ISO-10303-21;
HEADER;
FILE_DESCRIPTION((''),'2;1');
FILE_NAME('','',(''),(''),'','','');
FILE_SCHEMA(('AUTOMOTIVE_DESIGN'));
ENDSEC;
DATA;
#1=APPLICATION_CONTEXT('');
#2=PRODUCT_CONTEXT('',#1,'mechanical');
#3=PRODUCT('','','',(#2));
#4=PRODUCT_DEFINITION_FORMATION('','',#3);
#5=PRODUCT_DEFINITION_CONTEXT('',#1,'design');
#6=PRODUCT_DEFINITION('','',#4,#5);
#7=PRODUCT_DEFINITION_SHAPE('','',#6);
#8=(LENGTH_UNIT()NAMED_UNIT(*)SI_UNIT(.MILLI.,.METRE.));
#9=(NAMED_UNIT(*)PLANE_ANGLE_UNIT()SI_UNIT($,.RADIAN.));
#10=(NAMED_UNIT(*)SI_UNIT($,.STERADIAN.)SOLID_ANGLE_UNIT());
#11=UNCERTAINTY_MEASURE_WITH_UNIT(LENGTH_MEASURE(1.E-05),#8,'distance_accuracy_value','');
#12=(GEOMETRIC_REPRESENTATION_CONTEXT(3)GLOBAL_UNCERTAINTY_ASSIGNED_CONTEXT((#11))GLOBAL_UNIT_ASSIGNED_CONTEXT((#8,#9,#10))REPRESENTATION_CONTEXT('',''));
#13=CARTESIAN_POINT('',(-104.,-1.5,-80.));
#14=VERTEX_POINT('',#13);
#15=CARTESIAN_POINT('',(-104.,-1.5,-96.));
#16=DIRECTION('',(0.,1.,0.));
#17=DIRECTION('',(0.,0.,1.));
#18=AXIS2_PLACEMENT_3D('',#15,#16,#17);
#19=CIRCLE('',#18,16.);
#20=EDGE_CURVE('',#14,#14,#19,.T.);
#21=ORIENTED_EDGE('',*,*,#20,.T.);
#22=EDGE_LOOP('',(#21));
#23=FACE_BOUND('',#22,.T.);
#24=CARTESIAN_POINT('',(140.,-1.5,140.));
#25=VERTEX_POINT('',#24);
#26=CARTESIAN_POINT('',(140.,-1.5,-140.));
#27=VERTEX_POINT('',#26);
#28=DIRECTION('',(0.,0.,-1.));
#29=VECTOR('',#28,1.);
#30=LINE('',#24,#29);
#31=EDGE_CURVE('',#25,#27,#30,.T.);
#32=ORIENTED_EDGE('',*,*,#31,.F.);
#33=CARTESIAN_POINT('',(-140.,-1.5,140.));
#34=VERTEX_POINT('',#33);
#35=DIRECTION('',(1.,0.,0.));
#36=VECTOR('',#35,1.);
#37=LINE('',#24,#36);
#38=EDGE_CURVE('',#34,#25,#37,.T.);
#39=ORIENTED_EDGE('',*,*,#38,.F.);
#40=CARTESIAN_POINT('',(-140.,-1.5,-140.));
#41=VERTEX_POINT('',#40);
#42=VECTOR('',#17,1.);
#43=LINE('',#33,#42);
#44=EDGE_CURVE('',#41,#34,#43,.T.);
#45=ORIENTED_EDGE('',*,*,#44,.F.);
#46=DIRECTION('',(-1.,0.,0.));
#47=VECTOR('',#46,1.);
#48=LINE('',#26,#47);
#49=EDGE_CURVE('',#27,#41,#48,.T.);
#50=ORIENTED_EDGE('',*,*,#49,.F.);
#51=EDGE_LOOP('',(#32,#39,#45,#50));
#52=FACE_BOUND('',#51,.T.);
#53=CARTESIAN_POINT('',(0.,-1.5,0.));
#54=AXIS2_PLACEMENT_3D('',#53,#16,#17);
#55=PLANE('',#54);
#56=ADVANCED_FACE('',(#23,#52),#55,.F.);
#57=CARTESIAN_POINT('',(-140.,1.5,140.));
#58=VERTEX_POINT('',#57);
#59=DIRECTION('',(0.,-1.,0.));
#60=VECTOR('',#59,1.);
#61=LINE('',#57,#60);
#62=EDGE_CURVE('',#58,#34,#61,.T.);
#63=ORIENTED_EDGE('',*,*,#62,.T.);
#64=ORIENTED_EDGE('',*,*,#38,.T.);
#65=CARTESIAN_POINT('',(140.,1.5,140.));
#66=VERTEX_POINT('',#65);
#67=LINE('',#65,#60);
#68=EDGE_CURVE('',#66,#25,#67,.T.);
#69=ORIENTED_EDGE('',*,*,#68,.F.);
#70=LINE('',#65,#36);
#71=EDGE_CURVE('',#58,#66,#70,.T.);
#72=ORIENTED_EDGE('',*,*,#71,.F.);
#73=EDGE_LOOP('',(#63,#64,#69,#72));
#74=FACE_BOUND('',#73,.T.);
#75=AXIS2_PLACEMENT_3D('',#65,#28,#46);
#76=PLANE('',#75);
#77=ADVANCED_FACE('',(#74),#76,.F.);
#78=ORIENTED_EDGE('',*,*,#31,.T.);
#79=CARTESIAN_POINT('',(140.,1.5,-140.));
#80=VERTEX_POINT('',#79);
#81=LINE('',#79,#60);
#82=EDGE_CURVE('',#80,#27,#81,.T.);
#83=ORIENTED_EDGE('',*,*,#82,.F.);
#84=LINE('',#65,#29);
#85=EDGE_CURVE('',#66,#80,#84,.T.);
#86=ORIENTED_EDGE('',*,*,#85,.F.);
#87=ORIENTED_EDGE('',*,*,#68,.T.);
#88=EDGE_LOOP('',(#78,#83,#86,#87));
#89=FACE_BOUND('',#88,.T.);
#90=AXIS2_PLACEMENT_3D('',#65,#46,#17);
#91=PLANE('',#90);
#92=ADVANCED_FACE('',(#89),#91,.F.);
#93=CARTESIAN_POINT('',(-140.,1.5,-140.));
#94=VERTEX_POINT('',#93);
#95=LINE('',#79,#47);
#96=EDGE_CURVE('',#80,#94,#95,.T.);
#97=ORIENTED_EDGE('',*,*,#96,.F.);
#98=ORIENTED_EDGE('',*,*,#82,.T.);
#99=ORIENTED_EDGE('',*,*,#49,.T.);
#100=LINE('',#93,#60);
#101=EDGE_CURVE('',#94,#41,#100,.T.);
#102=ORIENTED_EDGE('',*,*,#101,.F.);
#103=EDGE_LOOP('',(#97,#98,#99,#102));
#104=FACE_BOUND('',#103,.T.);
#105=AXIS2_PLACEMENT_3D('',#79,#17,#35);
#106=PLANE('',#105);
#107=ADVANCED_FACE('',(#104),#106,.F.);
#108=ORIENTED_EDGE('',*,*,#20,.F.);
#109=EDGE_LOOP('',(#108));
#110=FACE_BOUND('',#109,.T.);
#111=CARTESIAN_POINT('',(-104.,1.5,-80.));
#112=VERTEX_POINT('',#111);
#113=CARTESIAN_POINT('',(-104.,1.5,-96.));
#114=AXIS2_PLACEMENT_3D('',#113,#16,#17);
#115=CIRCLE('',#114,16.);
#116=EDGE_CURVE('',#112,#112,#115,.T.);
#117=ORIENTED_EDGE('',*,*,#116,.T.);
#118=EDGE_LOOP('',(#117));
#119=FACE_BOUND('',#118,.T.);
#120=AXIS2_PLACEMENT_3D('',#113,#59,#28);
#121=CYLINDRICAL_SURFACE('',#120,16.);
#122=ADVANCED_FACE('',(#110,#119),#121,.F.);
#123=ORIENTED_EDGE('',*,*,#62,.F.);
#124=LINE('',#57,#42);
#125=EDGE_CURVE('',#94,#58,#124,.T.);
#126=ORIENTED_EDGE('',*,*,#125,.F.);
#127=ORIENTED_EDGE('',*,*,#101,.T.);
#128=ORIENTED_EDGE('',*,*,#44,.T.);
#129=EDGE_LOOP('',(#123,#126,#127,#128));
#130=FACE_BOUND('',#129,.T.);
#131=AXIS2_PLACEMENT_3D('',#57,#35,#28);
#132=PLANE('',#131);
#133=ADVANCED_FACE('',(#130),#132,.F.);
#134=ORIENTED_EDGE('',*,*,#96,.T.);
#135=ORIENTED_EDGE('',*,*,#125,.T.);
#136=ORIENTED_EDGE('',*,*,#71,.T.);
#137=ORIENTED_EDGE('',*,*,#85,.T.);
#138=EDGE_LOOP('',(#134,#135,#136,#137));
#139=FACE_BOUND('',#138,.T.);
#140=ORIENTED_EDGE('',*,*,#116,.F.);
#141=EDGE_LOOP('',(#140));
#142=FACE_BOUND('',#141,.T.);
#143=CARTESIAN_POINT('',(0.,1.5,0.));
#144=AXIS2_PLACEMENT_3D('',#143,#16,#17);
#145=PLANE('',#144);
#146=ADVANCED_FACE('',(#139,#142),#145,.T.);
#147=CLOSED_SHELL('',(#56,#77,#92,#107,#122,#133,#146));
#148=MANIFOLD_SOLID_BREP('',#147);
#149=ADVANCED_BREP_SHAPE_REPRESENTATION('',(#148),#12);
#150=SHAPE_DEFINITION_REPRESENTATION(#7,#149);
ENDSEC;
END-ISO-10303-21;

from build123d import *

# Parameters (mm, degrees)
SKETCH1_W           = 280
SKETCH1_H           = 280
SKETCH1_R           = 16
BOSS_EXTRUDE1_DEPTH = 1.5


with BuildPart() as part:
    # Sketch1 → Boss-Extrude1 (new, symmetric)
    with BuildSketch(Plane(origin=(0, 0, 0), x_dir=(1, 0, 0), z_dir=(0, 1, 0))):
        Rectangle(SKETCH1_W, SKETCH1_H)
        with Locations(Location((-104, 96, 0), (0, 0, 270))):
            Circle(SKETCH1_R, mode=Mode.SUBTRACT)
    extrude(amount=BOSS_EXTRUDE1_DEPTH, both=True)


solid = part.part
